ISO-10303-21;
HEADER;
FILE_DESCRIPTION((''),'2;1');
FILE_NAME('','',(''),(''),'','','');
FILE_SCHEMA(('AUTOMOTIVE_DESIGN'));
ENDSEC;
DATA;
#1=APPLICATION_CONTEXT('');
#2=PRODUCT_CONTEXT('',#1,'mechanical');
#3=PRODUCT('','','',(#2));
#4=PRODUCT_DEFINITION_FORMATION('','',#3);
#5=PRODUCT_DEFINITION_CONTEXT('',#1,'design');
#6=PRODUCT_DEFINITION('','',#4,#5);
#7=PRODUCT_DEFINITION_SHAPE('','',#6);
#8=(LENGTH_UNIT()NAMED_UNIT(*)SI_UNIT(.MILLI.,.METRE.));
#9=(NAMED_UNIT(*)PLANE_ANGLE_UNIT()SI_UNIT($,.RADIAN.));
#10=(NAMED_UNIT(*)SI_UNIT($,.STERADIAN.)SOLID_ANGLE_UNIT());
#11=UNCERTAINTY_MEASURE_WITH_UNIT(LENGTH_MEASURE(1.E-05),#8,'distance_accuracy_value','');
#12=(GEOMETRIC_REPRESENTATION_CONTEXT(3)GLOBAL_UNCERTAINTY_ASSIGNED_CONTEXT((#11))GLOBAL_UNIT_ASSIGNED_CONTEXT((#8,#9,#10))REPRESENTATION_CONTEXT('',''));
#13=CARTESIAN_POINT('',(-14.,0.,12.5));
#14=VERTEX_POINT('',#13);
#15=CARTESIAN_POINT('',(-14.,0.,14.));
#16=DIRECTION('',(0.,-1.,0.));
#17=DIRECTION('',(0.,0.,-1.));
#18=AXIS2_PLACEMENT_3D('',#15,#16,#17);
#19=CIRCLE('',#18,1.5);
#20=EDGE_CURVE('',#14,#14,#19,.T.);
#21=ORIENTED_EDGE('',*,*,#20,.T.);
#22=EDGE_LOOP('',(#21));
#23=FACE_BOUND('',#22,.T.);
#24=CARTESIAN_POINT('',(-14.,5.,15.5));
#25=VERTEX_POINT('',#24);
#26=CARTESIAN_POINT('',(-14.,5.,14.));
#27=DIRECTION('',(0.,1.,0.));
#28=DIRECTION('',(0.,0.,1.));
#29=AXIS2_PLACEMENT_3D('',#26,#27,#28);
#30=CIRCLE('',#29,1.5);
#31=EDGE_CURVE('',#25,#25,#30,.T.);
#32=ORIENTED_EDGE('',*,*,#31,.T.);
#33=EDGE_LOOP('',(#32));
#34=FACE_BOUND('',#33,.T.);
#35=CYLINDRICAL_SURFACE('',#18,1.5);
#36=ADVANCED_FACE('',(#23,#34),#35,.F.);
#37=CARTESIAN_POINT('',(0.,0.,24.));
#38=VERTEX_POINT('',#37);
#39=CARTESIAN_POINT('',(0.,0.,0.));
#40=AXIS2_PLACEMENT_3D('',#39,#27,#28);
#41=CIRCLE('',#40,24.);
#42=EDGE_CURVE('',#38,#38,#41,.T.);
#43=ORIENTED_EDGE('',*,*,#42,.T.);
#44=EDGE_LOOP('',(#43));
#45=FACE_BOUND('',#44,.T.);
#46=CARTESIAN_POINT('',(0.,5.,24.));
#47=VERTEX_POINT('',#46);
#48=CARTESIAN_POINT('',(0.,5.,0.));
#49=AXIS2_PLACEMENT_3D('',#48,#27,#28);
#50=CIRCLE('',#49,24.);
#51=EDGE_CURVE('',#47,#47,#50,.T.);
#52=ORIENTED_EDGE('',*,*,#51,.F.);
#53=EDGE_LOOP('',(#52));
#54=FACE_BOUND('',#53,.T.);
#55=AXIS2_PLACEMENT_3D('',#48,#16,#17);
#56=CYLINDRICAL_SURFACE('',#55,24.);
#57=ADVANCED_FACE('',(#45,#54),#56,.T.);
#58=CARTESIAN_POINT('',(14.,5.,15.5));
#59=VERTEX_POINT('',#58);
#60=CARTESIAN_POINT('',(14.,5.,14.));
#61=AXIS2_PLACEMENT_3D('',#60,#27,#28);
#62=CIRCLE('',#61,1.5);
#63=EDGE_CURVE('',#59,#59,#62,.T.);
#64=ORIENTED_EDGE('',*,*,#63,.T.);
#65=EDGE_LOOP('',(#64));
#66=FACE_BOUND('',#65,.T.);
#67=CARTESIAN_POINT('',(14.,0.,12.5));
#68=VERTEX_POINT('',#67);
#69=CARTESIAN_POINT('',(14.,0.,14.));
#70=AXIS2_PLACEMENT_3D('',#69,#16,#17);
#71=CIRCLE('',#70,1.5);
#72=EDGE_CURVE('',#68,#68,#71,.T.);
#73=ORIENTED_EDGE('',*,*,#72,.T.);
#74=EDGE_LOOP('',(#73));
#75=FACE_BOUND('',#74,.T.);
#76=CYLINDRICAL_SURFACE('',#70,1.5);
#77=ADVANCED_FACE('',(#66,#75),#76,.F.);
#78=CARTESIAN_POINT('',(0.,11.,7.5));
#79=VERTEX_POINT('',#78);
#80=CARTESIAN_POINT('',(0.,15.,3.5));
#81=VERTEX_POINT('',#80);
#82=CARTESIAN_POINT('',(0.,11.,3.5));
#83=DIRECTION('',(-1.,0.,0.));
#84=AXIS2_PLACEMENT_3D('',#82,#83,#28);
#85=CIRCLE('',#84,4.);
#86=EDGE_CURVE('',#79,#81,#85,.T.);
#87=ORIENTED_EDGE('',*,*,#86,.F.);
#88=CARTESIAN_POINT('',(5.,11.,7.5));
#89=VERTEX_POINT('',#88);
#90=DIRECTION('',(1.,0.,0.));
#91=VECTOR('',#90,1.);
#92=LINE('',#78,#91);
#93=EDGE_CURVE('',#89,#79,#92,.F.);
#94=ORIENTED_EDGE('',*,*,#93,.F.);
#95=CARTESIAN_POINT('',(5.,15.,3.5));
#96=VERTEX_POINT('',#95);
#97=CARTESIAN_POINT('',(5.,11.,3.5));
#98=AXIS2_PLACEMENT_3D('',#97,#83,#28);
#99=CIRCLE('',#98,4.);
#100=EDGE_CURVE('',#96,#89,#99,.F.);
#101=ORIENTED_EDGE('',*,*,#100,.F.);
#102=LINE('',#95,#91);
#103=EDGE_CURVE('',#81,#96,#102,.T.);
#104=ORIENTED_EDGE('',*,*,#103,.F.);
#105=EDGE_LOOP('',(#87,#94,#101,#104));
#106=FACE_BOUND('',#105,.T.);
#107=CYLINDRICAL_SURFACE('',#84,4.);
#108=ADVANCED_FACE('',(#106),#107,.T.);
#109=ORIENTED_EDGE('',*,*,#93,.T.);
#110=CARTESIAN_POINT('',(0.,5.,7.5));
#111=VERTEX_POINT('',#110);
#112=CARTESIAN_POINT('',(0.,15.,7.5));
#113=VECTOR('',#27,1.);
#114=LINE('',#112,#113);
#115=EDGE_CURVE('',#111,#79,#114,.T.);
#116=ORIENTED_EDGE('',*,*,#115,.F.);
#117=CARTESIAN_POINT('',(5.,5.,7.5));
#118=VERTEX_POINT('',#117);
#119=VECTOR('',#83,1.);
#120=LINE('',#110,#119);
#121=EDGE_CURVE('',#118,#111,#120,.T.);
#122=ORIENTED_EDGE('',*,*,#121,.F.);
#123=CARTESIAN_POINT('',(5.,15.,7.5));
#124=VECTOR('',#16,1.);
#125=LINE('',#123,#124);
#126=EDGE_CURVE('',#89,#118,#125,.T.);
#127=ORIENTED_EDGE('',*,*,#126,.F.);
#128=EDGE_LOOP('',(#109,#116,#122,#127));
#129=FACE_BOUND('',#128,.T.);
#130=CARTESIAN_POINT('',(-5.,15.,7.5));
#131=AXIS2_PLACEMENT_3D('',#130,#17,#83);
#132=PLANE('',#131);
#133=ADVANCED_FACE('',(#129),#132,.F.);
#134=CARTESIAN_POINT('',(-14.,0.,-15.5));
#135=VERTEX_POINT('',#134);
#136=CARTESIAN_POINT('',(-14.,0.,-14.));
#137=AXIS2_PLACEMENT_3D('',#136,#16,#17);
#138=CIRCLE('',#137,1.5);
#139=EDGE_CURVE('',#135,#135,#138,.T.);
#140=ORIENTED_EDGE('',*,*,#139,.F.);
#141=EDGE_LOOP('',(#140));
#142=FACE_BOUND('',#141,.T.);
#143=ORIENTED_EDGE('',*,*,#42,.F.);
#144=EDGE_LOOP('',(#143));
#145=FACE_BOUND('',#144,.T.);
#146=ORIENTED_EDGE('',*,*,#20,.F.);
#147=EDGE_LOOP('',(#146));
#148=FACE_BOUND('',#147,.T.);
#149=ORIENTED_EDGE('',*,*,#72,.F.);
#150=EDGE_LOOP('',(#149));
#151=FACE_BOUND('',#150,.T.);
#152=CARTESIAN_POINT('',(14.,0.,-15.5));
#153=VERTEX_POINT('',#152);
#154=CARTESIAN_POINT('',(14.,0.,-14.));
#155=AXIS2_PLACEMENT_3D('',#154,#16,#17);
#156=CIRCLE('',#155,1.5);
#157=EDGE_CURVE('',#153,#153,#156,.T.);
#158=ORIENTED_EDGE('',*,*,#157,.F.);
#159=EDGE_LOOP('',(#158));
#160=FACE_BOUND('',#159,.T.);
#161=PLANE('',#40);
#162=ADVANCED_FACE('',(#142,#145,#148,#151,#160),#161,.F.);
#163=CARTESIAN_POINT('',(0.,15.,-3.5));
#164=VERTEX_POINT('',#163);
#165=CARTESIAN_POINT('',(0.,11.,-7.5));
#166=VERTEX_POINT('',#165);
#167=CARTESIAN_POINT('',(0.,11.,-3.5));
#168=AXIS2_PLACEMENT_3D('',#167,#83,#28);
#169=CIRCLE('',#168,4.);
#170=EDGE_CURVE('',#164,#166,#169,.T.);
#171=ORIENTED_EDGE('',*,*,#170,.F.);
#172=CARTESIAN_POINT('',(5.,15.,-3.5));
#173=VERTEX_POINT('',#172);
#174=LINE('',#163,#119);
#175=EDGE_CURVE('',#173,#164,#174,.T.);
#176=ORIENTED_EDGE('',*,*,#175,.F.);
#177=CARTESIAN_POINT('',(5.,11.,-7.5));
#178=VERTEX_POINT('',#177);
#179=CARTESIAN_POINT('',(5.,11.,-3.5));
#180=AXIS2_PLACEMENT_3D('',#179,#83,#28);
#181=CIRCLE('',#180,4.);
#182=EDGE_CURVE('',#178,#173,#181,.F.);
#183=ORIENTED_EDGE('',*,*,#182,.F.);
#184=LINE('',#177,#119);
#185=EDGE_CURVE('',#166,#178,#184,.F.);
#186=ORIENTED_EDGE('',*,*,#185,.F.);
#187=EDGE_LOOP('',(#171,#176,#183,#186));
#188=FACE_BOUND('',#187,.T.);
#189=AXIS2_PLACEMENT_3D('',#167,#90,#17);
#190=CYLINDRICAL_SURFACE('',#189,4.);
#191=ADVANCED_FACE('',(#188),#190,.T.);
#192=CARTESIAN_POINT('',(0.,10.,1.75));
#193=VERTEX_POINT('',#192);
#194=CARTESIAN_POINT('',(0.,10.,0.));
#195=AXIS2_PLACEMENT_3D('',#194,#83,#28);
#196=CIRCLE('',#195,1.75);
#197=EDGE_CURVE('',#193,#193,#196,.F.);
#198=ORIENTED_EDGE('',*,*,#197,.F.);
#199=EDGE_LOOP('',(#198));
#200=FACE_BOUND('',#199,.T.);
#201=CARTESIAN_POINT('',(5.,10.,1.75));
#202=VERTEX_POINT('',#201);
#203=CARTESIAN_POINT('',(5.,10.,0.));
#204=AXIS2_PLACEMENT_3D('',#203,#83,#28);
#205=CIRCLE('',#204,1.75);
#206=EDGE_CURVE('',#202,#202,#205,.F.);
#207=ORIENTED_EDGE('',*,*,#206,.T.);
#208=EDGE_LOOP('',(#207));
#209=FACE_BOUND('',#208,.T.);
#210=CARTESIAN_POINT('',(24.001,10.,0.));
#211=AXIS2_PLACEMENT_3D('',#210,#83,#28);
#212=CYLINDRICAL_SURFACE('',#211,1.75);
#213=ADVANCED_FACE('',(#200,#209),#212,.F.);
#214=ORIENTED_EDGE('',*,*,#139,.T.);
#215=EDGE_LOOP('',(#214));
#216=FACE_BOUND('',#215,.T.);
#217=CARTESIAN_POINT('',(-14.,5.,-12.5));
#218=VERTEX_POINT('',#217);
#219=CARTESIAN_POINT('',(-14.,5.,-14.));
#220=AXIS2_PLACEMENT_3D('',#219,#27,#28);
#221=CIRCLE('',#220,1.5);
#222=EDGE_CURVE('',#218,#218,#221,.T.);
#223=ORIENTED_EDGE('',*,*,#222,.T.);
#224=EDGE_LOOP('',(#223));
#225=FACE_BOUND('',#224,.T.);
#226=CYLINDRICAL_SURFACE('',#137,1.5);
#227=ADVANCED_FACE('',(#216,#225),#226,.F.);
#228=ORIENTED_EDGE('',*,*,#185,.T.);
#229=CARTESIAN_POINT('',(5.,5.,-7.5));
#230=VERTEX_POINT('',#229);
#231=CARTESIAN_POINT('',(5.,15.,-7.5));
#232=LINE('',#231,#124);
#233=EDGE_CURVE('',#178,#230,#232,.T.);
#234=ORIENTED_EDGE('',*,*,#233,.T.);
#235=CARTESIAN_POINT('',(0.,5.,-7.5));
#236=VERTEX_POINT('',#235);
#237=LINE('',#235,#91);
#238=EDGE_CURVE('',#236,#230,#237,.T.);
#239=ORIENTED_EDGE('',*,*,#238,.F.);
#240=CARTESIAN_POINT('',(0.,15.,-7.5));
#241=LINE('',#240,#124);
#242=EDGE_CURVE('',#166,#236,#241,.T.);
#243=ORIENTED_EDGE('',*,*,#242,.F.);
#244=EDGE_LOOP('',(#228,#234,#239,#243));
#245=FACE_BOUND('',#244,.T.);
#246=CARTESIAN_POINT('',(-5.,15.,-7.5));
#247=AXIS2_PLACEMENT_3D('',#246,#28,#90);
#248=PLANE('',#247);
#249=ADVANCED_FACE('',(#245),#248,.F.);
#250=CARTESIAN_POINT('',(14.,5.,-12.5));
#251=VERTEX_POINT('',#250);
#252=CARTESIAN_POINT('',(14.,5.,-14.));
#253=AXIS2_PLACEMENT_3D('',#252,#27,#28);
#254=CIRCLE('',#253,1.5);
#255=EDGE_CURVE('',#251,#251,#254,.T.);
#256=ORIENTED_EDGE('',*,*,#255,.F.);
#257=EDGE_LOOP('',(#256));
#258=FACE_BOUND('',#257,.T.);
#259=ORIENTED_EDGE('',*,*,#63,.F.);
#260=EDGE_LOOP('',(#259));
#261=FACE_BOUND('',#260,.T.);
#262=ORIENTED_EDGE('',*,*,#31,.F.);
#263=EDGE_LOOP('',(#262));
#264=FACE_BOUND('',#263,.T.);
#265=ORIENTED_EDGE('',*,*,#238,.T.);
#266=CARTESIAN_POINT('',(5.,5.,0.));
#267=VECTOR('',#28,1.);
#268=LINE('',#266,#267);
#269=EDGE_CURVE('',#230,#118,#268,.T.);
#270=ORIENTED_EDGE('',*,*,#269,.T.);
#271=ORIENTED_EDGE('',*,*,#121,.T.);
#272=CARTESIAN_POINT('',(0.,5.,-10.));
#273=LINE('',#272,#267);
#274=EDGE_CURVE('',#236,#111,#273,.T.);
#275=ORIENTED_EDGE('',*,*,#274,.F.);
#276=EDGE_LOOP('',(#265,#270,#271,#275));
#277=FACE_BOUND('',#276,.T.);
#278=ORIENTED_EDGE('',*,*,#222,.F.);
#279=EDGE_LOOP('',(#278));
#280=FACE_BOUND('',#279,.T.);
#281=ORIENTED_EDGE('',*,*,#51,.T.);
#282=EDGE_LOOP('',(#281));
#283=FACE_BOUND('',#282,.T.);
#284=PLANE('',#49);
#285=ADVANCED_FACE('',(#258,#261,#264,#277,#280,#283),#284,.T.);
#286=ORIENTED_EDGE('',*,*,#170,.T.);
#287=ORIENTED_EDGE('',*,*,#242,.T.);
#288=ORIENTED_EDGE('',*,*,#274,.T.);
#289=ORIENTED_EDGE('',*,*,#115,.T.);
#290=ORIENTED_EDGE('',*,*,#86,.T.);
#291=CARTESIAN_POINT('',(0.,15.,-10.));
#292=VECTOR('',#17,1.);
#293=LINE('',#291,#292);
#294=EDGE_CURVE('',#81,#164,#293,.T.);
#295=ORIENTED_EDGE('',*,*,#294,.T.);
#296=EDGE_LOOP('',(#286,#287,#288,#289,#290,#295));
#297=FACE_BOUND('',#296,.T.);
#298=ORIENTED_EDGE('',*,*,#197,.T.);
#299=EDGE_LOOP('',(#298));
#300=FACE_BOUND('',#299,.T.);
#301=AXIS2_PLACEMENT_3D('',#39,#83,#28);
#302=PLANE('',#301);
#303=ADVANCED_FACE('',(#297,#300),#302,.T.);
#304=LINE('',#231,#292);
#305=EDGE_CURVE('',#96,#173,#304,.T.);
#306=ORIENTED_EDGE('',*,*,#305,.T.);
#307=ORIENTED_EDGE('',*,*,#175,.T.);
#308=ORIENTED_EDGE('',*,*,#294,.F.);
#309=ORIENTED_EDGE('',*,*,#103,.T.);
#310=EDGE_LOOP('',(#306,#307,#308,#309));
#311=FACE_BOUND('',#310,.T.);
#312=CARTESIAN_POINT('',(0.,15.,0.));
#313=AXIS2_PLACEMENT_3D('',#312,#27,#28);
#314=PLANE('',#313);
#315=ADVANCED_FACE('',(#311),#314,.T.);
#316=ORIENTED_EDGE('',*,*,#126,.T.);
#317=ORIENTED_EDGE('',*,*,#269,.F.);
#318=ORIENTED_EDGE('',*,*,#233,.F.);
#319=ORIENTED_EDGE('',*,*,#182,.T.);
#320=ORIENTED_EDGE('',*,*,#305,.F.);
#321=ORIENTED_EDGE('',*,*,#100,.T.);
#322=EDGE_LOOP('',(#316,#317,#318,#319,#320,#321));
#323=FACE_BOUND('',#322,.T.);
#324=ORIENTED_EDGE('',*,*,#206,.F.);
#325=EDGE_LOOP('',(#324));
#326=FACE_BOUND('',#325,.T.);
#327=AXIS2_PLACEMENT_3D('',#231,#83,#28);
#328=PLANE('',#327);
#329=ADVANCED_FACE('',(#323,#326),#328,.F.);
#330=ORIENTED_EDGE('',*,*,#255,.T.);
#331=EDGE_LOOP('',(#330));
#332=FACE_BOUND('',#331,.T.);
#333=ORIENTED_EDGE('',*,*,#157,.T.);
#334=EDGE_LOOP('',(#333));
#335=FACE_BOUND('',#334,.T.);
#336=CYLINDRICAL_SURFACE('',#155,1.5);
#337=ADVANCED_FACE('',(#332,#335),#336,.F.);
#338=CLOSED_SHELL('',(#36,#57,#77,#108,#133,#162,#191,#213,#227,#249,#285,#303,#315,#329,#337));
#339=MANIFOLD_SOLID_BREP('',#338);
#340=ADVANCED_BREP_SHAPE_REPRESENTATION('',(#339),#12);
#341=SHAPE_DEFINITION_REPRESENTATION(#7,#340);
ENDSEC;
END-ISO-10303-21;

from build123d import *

# Parameters (mm, degrees)
SKETCH_1_R          = 24
EXTRUDE_1_DEPTH     = 5
SKETCH_2_W          = 10
SKETCH_2_H          = 15
EXTRUDE_2_DEPTH     = 15
CUT_EXTRUDE_1_REACH = 42.522
SKETCH_3_R          = 1.75
SKETCH_4_W          = 20
SKETCH_4_H          = 10
CUT_EXTRUDE_2_DEPTH = 5
F_3_0MM_1_D         = 3
FILLET_1_R          = 4


with BuildPart() as part:
    # 草图1 → 凸台-拉伸1 (new body)
    with BuildSketch(Plane(origin=(0, 0, 0), x_dir=(1, 0, 0), z_dir=(0, 1, 0))):
        with Locations(Location((0, 0, 0), (0, 0, 270))):
            Circle(SKETCH_1_R)
    extrude(amount=EXTRUDE_1_DEPTH)

    # 草图2 → 凸台-拉伸2 (add)
    with BuildSketch(Plane(origin=(0, 0, 0), x_dir=(1, 0, 0), z_dir=(0, 1, 0))):
        Rectangle(SKETCH_2_W, SKETCH_2_H)
    extrude(amount=EXTRUDE_2_DEPTH)

    # 草图3 → 切除-拉伸1 (cut, up to next)
    with BuildSketch(Plane.ZY.offset(5), mode=Mode.PRIVATE) as cut_extrude_1_sk1:
        with Locations((0, 10)):
            Circle(SKETCH_3_R)
    cut_extrude_1_tool1 = extrude(cut_extrude_1_sk1.sketch, amount=-CUT_EXTRUDE_1_REACH, mode=Mode.PRIVATE) & part.part
    add(cut_extrude_1_tool1.solids().sort_by_distance((-5, 10, 0))[0], mode=Mode.SUBTRACT)

    # 草图4 → 切除-拉伸2 (cut)
    with BuildSketch(Plane.ZY.offset(5)):
        with Locations((0, 10)):
            Rectangle(SKETCH_4_W, SKETCH_4_H)
    extrude(amount=-CUT_EXTRUDE_2_DEPTH, mode=Mode.SUBTRACT)

    # Ø3.0mm 暗销孔1 (through all)
    with Locations(Plane.XZ):
        with Locations((14, 14), (14, -14), (-14, 14), (-14, -14)):
            Hole(F_3_0MM_1_D / 2)

    # 圆角1
    fillet_1_edges = [part.edges().sort_by_distance(p)[0] for p in [
        (2.5, 15, -7.5),
        (2.5, 15, 7.5),
    ]]
    fillet(fillet_1_edges, radius=FILLET_1_R)


solid = part.part
